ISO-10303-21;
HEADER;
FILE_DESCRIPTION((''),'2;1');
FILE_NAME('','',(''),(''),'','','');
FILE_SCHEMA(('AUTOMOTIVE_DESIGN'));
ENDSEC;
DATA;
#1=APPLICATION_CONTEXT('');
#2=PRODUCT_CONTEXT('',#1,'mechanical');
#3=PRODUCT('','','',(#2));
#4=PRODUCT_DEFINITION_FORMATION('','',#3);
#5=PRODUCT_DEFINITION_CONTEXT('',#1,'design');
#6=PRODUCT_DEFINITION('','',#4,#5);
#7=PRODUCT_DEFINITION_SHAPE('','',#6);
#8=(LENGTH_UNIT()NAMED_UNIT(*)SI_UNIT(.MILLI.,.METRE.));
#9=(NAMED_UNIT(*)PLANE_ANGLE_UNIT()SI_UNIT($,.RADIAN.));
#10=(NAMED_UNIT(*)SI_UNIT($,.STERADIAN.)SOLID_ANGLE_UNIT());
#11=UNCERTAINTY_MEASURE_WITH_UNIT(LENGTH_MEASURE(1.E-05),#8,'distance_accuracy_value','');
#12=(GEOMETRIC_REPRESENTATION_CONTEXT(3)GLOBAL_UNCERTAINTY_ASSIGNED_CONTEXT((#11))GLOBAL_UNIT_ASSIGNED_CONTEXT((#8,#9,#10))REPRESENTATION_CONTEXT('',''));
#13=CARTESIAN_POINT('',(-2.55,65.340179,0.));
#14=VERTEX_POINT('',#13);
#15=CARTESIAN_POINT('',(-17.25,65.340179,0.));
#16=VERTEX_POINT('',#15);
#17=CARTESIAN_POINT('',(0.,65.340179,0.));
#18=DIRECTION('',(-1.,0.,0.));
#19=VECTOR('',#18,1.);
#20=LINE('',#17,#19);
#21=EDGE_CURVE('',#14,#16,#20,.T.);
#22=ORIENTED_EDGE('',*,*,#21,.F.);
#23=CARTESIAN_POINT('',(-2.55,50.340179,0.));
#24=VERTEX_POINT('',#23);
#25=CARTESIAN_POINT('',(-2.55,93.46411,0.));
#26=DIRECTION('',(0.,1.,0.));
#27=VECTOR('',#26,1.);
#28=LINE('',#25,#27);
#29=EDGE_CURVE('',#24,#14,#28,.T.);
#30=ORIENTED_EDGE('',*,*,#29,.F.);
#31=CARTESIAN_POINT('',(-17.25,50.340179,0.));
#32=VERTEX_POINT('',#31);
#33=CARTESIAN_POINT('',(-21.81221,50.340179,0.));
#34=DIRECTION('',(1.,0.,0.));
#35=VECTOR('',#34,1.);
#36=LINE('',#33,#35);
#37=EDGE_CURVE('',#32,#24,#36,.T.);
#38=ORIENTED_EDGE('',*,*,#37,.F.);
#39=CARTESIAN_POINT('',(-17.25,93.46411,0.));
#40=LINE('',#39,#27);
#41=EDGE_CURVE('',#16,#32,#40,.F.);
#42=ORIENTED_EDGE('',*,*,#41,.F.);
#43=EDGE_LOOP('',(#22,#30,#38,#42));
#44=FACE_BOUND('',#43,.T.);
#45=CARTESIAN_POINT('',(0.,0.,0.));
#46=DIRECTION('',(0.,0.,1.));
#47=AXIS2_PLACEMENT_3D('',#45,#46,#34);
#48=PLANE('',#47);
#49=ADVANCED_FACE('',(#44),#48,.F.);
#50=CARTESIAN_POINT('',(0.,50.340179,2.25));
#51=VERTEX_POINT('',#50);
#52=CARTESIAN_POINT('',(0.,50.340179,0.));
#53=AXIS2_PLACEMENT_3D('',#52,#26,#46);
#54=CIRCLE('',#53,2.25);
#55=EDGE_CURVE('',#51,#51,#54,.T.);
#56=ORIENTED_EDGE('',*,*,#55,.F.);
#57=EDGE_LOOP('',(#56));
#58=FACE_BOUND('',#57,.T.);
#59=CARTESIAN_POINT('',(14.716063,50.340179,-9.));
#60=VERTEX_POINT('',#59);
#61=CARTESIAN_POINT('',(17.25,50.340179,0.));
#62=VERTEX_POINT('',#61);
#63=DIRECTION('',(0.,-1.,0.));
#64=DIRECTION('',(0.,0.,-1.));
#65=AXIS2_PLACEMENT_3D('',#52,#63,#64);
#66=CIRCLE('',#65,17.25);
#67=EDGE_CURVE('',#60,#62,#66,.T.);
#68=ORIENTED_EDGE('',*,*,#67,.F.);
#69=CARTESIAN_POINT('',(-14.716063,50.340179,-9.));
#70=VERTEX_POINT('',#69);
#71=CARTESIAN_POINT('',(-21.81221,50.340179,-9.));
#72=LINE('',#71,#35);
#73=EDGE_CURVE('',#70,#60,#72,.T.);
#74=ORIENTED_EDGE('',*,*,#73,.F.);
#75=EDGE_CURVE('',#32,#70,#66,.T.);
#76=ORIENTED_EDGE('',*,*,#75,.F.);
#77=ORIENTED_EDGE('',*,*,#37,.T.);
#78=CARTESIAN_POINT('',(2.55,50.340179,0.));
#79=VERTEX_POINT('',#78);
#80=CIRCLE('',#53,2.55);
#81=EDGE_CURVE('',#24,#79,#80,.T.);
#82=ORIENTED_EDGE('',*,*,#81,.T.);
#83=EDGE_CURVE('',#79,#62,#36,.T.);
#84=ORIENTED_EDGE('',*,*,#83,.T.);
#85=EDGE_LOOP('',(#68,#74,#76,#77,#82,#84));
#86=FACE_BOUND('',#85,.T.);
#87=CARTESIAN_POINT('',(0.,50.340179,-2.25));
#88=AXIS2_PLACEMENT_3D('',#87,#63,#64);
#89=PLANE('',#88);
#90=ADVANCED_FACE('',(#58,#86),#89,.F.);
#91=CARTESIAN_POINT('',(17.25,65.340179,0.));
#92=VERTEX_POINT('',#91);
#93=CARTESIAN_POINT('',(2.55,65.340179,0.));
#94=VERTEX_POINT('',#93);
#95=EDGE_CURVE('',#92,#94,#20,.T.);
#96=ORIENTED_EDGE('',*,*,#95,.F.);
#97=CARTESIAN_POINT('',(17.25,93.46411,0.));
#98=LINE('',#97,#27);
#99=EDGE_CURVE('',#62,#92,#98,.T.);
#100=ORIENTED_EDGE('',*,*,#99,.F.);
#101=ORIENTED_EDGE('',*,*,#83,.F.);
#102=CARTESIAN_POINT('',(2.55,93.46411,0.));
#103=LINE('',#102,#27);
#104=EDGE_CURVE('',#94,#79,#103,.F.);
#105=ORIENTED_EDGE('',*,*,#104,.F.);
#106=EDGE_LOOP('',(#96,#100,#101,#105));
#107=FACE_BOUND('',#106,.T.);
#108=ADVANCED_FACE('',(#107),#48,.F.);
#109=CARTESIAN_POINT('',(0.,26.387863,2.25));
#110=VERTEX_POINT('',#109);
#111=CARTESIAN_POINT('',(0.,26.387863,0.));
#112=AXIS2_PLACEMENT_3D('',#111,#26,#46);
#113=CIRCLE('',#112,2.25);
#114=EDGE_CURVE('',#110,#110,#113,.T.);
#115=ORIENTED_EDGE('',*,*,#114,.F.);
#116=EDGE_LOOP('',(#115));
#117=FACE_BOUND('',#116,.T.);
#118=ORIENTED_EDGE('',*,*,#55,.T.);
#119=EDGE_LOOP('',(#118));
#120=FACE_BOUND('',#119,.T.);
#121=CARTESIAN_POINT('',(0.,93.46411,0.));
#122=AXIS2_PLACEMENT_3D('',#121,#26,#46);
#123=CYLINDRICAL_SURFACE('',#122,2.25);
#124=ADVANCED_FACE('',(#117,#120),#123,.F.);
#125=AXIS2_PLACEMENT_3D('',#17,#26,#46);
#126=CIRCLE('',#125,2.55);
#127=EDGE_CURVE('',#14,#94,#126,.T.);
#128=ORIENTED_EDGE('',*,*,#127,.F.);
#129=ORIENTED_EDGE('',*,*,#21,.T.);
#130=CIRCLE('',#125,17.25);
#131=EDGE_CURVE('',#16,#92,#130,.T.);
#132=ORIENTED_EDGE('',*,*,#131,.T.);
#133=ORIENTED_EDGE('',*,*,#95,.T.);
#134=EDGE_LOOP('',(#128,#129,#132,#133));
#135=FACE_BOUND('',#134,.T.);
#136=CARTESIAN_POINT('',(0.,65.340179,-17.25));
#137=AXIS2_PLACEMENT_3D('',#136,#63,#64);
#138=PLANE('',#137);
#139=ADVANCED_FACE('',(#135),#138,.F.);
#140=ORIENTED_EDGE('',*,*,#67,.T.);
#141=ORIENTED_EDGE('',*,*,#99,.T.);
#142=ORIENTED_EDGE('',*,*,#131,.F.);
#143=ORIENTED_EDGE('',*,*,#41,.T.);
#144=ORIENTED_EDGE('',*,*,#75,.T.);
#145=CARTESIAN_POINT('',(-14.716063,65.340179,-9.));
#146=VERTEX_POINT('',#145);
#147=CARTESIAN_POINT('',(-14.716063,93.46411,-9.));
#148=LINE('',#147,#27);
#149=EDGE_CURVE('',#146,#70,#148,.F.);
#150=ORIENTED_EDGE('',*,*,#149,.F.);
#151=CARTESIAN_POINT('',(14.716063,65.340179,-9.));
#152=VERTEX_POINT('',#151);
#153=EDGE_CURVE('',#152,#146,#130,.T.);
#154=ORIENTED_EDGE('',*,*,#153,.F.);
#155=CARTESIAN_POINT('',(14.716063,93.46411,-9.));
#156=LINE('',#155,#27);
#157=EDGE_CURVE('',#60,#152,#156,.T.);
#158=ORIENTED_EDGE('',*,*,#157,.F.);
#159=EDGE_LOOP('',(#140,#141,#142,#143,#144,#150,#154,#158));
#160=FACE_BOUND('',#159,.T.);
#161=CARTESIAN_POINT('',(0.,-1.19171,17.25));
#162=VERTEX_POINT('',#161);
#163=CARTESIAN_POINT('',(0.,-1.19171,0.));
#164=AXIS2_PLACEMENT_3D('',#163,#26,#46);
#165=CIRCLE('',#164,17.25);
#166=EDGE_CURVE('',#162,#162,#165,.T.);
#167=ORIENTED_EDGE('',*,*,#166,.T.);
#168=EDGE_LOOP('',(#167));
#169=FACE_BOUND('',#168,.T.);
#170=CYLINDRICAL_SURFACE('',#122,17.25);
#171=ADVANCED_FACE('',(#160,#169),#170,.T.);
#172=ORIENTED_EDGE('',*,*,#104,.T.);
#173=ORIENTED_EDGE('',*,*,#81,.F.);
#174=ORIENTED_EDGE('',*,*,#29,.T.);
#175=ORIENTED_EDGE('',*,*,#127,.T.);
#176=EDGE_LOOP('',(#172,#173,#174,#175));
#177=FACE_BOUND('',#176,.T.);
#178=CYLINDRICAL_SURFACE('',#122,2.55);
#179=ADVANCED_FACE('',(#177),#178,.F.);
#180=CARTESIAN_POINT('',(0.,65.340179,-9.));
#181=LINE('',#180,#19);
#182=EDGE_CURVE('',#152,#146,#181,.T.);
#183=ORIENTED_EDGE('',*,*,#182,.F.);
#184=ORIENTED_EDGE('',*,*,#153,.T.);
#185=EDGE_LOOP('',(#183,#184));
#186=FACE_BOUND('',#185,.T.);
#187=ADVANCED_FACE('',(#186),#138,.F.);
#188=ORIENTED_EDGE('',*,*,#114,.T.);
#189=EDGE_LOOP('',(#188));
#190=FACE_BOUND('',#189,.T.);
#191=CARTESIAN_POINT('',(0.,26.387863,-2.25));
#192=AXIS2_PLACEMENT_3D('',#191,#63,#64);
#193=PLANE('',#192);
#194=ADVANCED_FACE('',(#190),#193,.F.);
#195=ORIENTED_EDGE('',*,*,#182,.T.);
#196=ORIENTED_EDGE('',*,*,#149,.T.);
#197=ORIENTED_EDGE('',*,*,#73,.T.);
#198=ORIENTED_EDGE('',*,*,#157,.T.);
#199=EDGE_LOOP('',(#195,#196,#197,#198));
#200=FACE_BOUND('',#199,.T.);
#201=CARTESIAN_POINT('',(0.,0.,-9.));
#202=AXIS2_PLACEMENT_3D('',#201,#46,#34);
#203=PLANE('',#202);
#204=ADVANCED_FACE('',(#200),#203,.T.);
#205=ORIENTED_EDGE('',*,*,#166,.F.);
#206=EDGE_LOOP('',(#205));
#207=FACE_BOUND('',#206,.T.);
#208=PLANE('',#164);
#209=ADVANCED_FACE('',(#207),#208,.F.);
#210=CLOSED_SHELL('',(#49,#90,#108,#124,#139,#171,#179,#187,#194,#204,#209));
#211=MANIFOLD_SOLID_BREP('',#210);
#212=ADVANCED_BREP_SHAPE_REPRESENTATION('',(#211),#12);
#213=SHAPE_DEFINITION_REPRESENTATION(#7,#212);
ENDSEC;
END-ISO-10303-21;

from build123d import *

# Parameters (mm, degrees)
SKETCH_2_W          = 43.624420354
SKETCH_2_H          = 30
CUT_EXTRUDE_1_DEPTH = 9


with BuildPart() as part:
    # Эскиз1 → Повернуть1 (revolve)
    with BuildSketch(Plane(origin=(0, 0, 0), x_dir=(0, 0, -1), z_dir=(1, 0, 0))):
        Polygon((2.25, 26.387863371), (0, 26.387863371), (0, -1.191709959), (17.25, -1.191709959), (17.25, 65.340178843), (2.55, 65.340178843), (2.55, 50.340178843), (2.25, 50.340178843), align=None)
    revolve(axis=Axis((0, 93.464109616, 0), (0, -1, 0)))

    # Эскиз2 → Вырез-Вытянуть1 (cut)
    with BuildSketch(Plane.XY):
        with Locations((0, 65.340178843)):
            Rectangle(SKETCH_2_W, SKETCH_2_H)
    extrude(amount=-CUT_EXTRUDE_1_DEPTH, mode=Mode.SUBTRACT)


solid = part.part
